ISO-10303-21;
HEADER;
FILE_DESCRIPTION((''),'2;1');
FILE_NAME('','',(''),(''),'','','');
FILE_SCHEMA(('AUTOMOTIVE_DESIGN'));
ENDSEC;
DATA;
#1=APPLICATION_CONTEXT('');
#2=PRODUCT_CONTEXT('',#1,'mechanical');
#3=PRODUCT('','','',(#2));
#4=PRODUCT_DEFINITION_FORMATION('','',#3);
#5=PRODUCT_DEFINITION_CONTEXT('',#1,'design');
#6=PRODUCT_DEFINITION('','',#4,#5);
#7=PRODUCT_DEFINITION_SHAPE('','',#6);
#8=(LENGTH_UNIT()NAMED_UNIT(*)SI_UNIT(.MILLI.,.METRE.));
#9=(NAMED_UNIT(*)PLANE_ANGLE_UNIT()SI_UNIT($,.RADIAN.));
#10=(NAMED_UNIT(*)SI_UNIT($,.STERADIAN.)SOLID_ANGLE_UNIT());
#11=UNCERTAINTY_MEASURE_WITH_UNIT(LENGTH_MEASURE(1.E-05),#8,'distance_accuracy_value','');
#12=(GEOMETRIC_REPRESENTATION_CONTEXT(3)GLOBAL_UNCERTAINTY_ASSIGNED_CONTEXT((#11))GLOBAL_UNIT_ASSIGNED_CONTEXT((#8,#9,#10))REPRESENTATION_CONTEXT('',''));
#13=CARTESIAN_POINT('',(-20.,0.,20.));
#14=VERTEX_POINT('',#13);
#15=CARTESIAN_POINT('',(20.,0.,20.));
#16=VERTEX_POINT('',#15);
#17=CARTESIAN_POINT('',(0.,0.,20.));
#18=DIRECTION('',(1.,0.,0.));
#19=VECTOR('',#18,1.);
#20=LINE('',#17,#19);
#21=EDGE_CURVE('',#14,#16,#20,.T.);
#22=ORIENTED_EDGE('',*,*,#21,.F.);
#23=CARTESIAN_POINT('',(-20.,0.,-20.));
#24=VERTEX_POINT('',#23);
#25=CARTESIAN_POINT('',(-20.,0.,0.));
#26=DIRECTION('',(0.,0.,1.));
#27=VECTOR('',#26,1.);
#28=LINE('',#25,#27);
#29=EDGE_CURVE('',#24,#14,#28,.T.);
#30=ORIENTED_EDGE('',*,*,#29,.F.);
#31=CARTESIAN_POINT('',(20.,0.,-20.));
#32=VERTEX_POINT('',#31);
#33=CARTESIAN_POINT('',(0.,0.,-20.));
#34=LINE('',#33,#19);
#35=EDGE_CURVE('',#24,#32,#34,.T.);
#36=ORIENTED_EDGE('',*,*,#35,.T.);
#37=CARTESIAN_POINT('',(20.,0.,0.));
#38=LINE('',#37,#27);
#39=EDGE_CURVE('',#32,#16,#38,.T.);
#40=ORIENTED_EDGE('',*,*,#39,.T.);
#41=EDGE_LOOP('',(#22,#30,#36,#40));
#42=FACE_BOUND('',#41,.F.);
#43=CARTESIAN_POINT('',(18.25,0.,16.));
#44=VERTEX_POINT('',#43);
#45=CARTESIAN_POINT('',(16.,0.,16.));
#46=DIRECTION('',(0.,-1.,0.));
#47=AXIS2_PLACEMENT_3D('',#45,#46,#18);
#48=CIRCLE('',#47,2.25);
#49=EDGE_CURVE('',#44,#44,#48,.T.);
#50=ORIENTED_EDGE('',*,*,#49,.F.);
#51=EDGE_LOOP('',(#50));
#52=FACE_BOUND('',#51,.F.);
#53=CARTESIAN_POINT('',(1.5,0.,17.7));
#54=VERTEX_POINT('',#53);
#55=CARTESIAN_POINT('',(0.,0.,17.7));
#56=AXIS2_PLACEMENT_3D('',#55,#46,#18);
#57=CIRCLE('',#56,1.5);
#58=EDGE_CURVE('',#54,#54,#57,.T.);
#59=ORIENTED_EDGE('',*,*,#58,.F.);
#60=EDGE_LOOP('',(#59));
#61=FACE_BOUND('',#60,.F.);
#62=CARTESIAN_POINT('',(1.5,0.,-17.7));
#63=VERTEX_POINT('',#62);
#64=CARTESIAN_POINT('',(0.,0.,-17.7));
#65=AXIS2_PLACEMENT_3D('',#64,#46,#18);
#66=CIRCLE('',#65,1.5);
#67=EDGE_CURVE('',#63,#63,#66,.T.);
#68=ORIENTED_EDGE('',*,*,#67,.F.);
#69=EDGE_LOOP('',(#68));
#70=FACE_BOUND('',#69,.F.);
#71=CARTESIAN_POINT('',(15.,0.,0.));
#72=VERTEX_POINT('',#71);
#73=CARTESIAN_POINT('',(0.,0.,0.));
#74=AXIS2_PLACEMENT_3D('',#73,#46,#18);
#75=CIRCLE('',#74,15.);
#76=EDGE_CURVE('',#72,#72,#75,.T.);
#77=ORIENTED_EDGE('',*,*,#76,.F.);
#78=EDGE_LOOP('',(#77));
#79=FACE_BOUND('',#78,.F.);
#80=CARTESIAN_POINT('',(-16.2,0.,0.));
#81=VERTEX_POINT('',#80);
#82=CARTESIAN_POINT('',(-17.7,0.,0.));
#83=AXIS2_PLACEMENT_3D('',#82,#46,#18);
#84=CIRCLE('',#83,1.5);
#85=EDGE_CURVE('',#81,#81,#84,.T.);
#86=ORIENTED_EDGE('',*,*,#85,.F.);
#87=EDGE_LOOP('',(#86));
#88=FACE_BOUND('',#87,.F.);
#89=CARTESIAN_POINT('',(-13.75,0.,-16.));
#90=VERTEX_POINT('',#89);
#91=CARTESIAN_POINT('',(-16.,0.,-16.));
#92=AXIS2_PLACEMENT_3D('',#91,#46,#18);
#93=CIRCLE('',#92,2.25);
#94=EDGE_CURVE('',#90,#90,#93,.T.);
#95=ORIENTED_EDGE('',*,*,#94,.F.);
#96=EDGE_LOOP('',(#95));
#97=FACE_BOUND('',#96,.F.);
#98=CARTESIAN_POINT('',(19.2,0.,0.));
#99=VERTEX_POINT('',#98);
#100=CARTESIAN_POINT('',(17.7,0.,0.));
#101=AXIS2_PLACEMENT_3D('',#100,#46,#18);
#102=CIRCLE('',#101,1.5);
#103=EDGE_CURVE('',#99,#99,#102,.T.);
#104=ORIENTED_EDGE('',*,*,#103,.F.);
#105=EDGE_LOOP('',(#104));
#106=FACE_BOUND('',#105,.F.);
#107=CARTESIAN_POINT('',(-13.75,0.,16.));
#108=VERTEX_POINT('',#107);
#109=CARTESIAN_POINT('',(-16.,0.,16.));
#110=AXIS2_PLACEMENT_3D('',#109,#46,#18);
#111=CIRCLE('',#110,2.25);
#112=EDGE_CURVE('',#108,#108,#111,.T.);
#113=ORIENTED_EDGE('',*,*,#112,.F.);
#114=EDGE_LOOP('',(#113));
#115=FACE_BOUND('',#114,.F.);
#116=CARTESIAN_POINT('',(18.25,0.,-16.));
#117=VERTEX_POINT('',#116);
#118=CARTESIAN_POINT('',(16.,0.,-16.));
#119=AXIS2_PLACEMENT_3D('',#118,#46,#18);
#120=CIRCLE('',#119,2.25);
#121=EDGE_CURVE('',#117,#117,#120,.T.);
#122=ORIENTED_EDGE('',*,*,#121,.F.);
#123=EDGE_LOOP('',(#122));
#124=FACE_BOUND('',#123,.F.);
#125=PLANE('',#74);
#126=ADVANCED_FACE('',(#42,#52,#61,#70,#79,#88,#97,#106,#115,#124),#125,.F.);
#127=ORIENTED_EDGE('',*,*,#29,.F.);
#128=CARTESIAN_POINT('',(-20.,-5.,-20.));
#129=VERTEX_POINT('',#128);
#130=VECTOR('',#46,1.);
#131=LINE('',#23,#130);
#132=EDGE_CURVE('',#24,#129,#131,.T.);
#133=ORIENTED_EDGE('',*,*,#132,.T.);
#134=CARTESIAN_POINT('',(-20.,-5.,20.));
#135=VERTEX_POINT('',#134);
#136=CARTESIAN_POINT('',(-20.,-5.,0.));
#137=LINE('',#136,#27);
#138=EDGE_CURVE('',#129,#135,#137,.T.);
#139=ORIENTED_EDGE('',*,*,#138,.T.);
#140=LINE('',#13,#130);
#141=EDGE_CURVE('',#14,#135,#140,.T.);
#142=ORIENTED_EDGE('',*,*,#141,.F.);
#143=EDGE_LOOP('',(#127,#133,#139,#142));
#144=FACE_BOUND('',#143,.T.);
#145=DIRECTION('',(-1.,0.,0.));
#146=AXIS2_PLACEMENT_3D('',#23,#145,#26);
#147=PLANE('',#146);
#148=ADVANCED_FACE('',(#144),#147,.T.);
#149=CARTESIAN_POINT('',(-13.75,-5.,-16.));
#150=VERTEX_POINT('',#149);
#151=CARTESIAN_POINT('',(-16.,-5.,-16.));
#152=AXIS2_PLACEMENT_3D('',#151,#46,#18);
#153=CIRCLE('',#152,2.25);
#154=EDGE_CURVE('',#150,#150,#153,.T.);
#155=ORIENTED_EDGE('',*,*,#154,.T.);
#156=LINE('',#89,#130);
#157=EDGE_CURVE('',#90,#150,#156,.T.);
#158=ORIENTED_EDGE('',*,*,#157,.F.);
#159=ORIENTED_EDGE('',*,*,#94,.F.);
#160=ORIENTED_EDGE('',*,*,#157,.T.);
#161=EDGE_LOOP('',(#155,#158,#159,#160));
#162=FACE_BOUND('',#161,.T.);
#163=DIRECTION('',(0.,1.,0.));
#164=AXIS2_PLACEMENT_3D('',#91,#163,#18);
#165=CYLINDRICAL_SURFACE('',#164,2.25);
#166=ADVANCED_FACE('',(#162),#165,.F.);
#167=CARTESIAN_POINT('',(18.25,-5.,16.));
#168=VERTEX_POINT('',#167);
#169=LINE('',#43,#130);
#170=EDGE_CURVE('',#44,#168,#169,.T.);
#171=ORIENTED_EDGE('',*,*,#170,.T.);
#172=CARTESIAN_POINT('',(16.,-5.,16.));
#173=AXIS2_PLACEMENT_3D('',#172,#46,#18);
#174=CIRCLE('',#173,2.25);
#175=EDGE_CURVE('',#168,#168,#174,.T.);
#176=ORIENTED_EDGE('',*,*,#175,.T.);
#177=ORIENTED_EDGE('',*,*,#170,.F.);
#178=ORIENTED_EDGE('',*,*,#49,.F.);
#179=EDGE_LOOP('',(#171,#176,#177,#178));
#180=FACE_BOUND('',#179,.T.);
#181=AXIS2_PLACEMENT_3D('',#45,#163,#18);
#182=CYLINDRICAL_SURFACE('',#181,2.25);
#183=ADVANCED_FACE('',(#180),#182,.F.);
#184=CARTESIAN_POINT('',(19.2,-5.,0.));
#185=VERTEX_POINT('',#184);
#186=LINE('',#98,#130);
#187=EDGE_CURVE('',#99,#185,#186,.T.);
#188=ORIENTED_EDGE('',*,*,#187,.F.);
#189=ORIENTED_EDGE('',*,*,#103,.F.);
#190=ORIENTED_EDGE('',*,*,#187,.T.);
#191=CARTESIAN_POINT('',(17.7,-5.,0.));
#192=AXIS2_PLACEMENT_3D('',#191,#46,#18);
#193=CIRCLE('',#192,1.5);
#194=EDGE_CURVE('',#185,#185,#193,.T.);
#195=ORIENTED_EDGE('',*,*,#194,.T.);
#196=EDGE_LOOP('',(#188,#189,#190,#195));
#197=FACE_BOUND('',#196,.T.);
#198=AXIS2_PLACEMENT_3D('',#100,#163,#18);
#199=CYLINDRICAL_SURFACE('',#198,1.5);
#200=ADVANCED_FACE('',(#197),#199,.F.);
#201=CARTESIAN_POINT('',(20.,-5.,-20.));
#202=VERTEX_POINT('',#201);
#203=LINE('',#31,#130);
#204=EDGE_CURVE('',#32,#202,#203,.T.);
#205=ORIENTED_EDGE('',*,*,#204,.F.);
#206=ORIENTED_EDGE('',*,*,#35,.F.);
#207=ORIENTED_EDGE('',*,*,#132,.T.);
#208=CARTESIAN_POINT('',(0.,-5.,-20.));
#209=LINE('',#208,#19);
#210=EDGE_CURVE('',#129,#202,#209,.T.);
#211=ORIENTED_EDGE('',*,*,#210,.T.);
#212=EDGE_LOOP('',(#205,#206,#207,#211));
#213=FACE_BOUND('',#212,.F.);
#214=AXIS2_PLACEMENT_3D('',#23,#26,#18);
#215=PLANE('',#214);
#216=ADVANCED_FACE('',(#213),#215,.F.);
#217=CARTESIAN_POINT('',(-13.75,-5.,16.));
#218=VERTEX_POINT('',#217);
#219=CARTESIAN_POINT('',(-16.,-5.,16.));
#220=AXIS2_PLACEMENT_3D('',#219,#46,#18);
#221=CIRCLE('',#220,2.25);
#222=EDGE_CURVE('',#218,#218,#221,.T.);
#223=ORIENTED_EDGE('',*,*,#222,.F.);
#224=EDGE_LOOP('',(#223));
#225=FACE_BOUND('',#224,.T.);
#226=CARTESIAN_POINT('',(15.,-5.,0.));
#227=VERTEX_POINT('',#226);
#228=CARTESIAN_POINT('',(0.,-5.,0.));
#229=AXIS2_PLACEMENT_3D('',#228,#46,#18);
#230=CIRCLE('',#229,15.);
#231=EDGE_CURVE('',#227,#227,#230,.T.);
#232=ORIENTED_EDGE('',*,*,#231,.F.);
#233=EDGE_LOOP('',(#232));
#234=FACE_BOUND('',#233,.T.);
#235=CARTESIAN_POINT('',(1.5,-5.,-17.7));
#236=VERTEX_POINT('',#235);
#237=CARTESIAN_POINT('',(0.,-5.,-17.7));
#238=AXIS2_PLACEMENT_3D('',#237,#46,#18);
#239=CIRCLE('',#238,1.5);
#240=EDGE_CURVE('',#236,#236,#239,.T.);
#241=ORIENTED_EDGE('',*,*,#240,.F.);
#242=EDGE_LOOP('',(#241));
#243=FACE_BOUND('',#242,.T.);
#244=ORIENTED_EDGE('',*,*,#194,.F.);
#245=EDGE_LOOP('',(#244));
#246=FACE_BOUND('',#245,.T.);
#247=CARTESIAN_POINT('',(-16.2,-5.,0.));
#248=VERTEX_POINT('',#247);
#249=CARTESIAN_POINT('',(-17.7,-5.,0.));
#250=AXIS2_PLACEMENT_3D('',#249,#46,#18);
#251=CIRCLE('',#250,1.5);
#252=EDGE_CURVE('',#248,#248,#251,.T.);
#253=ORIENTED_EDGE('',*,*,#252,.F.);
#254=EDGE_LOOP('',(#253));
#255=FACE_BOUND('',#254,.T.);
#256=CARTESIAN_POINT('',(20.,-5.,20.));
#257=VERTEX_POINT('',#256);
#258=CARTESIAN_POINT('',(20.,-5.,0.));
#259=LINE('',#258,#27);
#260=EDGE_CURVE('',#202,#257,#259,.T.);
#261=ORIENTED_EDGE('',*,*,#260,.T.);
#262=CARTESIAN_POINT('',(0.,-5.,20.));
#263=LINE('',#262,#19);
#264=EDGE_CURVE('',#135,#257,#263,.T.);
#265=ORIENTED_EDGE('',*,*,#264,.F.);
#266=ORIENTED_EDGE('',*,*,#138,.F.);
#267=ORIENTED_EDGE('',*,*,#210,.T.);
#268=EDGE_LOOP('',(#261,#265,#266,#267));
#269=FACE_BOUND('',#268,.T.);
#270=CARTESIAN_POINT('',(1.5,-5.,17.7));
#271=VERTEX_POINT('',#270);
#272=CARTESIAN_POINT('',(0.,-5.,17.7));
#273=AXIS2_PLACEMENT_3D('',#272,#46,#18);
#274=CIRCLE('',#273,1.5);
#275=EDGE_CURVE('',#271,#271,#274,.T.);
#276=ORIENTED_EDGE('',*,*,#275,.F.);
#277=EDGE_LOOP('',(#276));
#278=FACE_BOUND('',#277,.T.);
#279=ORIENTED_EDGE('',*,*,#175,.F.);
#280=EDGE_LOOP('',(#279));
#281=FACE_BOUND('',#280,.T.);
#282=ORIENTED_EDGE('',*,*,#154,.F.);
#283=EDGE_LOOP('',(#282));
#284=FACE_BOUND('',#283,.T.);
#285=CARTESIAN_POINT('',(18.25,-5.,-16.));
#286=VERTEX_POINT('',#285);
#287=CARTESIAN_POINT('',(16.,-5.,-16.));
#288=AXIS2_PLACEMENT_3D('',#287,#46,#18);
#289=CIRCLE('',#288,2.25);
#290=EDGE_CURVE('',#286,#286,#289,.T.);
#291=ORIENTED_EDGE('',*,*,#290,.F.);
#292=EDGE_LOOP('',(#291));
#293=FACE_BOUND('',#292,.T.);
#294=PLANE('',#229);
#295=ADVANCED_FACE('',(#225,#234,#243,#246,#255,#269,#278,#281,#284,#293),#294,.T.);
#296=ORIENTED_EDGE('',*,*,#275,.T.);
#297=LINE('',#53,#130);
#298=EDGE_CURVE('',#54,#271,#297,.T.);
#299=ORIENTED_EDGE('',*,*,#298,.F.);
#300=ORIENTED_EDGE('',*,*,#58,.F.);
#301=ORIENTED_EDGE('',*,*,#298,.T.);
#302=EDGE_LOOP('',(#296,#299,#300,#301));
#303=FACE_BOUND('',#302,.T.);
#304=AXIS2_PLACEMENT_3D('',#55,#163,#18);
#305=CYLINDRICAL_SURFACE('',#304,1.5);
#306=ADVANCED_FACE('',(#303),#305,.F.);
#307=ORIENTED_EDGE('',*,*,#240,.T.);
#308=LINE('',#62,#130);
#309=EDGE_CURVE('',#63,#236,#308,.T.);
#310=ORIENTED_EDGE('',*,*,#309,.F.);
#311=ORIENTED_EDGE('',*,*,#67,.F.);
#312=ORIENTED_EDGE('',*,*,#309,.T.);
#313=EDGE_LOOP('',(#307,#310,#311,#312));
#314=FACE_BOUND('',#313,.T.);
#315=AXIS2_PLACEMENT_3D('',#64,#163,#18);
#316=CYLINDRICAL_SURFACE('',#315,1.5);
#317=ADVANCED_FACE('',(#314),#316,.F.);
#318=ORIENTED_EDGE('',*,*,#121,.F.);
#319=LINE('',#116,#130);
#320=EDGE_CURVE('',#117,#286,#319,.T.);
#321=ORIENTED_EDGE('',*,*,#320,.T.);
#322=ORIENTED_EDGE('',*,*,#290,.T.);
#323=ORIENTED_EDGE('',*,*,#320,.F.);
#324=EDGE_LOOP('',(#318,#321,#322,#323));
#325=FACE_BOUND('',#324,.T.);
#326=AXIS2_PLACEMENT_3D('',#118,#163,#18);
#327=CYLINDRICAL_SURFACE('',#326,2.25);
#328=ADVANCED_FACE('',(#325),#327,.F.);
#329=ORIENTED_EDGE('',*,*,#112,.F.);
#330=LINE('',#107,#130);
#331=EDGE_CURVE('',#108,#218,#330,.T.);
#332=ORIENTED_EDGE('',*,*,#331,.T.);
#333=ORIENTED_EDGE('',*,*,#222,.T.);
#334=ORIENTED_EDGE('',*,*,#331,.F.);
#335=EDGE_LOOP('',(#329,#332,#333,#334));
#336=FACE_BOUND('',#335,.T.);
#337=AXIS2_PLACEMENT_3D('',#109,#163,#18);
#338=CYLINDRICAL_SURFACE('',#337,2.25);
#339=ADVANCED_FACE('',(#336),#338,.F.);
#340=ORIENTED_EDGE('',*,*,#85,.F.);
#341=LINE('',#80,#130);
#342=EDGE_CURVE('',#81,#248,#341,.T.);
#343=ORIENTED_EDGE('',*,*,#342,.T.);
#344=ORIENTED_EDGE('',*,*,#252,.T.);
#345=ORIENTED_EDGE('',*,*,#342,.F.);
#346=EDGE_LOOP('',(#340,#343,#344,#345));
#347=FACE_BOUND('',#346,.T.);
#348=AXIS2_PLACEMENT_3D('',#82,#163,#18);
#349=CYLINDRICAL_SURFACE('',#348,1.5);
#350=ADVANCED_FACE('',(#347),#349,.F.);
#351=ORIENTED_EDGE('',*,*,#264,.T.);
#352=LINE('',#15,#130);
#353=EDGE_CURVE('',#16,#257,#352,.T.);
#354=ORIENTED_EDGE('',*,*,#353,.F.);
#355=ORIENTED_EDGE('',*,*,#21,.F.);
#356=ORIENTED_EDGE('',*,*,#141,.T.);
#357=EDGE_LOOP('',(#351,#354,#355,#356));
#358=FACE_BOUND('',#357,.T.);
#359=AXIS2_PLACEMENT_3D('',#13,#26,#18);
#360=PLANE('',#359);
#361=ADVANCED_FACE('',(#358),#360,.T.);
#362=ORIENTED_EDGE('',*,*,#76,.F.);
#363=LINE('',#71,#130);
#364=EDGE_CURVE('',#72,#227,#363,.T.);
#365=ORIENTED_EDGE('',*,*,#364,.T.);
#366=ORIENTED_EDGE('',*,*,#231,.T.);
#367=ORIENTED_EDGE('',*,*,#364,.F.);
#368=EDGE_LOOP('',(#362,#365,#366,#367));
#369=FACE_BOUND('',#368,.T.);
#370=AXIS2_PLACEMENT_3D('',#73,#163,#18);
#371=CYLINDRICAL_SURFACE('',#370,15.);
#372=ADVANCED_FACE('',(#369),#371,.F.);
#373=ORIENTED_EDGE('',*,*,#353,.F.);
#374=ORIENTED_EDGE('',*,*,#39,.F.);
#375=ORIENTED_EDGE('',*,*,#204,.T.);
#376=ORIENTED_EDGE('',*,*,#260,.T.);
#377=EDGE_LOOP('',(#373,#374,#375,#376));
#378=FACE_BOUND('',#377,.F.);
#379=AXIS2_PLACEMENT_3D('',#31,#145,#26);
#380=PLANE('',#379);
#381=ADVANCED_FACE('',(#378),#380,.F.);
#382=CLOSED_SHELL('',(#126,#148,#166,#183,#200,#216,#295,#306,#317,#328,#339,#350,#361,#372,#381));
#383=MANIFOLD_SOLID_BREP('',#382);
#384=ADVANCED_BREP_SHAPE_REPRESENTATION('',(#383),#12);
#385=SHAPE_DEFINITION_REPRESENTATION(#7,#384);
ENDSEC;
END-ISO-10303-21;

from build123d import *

# Parameters (mm, degrees)
F0_W     = 40
F0_H     = 40
F0_R     = 2.25
F0_R_2   = 1.5
F0_R_3   = 15
F1_DEPTH = 5


with BuildPart() as f1:
    # F0 (on Front) → F1 (new body)
    with BuildSketch(Plane.XZ):
        Rectangle(F0_W, F0_H)
        with Locations((-16, -16)):
            Circle(F0_R, mode=Mode.SUBTRACT)
        with Locations((0, -17.7)):
            Circle(F0_R_2, mode=Mode.SUBTRACT)
        with Locations((16, -16)):
            Circle(F0_R, mode=Mode.SUBTRACT)
        with Locations((-17.7, 0)):
            Circle(F0_R_2, mode=Mode.SUBTRACT)
        with Locations((-16, 16)):
            Circle(F0_R, mode=Mode.SUBTRACT)
        Circle(F0_R_3, mode=Mode.SUBTRACT)
        with Locations((17.7, 0)):
            Circle(F0_R_2, mode=Mode.SUBTRACT)
        with Locations((0, 17.7)):
            Circle(F0_R_2, mode=Mode.SUBTRACT)
        with Locations((16, 16)):
            Circle(F0_R, mode=Mode.SUBTRACT)
    extrude(amount=F1_DEPTH)


solid = f1.part
